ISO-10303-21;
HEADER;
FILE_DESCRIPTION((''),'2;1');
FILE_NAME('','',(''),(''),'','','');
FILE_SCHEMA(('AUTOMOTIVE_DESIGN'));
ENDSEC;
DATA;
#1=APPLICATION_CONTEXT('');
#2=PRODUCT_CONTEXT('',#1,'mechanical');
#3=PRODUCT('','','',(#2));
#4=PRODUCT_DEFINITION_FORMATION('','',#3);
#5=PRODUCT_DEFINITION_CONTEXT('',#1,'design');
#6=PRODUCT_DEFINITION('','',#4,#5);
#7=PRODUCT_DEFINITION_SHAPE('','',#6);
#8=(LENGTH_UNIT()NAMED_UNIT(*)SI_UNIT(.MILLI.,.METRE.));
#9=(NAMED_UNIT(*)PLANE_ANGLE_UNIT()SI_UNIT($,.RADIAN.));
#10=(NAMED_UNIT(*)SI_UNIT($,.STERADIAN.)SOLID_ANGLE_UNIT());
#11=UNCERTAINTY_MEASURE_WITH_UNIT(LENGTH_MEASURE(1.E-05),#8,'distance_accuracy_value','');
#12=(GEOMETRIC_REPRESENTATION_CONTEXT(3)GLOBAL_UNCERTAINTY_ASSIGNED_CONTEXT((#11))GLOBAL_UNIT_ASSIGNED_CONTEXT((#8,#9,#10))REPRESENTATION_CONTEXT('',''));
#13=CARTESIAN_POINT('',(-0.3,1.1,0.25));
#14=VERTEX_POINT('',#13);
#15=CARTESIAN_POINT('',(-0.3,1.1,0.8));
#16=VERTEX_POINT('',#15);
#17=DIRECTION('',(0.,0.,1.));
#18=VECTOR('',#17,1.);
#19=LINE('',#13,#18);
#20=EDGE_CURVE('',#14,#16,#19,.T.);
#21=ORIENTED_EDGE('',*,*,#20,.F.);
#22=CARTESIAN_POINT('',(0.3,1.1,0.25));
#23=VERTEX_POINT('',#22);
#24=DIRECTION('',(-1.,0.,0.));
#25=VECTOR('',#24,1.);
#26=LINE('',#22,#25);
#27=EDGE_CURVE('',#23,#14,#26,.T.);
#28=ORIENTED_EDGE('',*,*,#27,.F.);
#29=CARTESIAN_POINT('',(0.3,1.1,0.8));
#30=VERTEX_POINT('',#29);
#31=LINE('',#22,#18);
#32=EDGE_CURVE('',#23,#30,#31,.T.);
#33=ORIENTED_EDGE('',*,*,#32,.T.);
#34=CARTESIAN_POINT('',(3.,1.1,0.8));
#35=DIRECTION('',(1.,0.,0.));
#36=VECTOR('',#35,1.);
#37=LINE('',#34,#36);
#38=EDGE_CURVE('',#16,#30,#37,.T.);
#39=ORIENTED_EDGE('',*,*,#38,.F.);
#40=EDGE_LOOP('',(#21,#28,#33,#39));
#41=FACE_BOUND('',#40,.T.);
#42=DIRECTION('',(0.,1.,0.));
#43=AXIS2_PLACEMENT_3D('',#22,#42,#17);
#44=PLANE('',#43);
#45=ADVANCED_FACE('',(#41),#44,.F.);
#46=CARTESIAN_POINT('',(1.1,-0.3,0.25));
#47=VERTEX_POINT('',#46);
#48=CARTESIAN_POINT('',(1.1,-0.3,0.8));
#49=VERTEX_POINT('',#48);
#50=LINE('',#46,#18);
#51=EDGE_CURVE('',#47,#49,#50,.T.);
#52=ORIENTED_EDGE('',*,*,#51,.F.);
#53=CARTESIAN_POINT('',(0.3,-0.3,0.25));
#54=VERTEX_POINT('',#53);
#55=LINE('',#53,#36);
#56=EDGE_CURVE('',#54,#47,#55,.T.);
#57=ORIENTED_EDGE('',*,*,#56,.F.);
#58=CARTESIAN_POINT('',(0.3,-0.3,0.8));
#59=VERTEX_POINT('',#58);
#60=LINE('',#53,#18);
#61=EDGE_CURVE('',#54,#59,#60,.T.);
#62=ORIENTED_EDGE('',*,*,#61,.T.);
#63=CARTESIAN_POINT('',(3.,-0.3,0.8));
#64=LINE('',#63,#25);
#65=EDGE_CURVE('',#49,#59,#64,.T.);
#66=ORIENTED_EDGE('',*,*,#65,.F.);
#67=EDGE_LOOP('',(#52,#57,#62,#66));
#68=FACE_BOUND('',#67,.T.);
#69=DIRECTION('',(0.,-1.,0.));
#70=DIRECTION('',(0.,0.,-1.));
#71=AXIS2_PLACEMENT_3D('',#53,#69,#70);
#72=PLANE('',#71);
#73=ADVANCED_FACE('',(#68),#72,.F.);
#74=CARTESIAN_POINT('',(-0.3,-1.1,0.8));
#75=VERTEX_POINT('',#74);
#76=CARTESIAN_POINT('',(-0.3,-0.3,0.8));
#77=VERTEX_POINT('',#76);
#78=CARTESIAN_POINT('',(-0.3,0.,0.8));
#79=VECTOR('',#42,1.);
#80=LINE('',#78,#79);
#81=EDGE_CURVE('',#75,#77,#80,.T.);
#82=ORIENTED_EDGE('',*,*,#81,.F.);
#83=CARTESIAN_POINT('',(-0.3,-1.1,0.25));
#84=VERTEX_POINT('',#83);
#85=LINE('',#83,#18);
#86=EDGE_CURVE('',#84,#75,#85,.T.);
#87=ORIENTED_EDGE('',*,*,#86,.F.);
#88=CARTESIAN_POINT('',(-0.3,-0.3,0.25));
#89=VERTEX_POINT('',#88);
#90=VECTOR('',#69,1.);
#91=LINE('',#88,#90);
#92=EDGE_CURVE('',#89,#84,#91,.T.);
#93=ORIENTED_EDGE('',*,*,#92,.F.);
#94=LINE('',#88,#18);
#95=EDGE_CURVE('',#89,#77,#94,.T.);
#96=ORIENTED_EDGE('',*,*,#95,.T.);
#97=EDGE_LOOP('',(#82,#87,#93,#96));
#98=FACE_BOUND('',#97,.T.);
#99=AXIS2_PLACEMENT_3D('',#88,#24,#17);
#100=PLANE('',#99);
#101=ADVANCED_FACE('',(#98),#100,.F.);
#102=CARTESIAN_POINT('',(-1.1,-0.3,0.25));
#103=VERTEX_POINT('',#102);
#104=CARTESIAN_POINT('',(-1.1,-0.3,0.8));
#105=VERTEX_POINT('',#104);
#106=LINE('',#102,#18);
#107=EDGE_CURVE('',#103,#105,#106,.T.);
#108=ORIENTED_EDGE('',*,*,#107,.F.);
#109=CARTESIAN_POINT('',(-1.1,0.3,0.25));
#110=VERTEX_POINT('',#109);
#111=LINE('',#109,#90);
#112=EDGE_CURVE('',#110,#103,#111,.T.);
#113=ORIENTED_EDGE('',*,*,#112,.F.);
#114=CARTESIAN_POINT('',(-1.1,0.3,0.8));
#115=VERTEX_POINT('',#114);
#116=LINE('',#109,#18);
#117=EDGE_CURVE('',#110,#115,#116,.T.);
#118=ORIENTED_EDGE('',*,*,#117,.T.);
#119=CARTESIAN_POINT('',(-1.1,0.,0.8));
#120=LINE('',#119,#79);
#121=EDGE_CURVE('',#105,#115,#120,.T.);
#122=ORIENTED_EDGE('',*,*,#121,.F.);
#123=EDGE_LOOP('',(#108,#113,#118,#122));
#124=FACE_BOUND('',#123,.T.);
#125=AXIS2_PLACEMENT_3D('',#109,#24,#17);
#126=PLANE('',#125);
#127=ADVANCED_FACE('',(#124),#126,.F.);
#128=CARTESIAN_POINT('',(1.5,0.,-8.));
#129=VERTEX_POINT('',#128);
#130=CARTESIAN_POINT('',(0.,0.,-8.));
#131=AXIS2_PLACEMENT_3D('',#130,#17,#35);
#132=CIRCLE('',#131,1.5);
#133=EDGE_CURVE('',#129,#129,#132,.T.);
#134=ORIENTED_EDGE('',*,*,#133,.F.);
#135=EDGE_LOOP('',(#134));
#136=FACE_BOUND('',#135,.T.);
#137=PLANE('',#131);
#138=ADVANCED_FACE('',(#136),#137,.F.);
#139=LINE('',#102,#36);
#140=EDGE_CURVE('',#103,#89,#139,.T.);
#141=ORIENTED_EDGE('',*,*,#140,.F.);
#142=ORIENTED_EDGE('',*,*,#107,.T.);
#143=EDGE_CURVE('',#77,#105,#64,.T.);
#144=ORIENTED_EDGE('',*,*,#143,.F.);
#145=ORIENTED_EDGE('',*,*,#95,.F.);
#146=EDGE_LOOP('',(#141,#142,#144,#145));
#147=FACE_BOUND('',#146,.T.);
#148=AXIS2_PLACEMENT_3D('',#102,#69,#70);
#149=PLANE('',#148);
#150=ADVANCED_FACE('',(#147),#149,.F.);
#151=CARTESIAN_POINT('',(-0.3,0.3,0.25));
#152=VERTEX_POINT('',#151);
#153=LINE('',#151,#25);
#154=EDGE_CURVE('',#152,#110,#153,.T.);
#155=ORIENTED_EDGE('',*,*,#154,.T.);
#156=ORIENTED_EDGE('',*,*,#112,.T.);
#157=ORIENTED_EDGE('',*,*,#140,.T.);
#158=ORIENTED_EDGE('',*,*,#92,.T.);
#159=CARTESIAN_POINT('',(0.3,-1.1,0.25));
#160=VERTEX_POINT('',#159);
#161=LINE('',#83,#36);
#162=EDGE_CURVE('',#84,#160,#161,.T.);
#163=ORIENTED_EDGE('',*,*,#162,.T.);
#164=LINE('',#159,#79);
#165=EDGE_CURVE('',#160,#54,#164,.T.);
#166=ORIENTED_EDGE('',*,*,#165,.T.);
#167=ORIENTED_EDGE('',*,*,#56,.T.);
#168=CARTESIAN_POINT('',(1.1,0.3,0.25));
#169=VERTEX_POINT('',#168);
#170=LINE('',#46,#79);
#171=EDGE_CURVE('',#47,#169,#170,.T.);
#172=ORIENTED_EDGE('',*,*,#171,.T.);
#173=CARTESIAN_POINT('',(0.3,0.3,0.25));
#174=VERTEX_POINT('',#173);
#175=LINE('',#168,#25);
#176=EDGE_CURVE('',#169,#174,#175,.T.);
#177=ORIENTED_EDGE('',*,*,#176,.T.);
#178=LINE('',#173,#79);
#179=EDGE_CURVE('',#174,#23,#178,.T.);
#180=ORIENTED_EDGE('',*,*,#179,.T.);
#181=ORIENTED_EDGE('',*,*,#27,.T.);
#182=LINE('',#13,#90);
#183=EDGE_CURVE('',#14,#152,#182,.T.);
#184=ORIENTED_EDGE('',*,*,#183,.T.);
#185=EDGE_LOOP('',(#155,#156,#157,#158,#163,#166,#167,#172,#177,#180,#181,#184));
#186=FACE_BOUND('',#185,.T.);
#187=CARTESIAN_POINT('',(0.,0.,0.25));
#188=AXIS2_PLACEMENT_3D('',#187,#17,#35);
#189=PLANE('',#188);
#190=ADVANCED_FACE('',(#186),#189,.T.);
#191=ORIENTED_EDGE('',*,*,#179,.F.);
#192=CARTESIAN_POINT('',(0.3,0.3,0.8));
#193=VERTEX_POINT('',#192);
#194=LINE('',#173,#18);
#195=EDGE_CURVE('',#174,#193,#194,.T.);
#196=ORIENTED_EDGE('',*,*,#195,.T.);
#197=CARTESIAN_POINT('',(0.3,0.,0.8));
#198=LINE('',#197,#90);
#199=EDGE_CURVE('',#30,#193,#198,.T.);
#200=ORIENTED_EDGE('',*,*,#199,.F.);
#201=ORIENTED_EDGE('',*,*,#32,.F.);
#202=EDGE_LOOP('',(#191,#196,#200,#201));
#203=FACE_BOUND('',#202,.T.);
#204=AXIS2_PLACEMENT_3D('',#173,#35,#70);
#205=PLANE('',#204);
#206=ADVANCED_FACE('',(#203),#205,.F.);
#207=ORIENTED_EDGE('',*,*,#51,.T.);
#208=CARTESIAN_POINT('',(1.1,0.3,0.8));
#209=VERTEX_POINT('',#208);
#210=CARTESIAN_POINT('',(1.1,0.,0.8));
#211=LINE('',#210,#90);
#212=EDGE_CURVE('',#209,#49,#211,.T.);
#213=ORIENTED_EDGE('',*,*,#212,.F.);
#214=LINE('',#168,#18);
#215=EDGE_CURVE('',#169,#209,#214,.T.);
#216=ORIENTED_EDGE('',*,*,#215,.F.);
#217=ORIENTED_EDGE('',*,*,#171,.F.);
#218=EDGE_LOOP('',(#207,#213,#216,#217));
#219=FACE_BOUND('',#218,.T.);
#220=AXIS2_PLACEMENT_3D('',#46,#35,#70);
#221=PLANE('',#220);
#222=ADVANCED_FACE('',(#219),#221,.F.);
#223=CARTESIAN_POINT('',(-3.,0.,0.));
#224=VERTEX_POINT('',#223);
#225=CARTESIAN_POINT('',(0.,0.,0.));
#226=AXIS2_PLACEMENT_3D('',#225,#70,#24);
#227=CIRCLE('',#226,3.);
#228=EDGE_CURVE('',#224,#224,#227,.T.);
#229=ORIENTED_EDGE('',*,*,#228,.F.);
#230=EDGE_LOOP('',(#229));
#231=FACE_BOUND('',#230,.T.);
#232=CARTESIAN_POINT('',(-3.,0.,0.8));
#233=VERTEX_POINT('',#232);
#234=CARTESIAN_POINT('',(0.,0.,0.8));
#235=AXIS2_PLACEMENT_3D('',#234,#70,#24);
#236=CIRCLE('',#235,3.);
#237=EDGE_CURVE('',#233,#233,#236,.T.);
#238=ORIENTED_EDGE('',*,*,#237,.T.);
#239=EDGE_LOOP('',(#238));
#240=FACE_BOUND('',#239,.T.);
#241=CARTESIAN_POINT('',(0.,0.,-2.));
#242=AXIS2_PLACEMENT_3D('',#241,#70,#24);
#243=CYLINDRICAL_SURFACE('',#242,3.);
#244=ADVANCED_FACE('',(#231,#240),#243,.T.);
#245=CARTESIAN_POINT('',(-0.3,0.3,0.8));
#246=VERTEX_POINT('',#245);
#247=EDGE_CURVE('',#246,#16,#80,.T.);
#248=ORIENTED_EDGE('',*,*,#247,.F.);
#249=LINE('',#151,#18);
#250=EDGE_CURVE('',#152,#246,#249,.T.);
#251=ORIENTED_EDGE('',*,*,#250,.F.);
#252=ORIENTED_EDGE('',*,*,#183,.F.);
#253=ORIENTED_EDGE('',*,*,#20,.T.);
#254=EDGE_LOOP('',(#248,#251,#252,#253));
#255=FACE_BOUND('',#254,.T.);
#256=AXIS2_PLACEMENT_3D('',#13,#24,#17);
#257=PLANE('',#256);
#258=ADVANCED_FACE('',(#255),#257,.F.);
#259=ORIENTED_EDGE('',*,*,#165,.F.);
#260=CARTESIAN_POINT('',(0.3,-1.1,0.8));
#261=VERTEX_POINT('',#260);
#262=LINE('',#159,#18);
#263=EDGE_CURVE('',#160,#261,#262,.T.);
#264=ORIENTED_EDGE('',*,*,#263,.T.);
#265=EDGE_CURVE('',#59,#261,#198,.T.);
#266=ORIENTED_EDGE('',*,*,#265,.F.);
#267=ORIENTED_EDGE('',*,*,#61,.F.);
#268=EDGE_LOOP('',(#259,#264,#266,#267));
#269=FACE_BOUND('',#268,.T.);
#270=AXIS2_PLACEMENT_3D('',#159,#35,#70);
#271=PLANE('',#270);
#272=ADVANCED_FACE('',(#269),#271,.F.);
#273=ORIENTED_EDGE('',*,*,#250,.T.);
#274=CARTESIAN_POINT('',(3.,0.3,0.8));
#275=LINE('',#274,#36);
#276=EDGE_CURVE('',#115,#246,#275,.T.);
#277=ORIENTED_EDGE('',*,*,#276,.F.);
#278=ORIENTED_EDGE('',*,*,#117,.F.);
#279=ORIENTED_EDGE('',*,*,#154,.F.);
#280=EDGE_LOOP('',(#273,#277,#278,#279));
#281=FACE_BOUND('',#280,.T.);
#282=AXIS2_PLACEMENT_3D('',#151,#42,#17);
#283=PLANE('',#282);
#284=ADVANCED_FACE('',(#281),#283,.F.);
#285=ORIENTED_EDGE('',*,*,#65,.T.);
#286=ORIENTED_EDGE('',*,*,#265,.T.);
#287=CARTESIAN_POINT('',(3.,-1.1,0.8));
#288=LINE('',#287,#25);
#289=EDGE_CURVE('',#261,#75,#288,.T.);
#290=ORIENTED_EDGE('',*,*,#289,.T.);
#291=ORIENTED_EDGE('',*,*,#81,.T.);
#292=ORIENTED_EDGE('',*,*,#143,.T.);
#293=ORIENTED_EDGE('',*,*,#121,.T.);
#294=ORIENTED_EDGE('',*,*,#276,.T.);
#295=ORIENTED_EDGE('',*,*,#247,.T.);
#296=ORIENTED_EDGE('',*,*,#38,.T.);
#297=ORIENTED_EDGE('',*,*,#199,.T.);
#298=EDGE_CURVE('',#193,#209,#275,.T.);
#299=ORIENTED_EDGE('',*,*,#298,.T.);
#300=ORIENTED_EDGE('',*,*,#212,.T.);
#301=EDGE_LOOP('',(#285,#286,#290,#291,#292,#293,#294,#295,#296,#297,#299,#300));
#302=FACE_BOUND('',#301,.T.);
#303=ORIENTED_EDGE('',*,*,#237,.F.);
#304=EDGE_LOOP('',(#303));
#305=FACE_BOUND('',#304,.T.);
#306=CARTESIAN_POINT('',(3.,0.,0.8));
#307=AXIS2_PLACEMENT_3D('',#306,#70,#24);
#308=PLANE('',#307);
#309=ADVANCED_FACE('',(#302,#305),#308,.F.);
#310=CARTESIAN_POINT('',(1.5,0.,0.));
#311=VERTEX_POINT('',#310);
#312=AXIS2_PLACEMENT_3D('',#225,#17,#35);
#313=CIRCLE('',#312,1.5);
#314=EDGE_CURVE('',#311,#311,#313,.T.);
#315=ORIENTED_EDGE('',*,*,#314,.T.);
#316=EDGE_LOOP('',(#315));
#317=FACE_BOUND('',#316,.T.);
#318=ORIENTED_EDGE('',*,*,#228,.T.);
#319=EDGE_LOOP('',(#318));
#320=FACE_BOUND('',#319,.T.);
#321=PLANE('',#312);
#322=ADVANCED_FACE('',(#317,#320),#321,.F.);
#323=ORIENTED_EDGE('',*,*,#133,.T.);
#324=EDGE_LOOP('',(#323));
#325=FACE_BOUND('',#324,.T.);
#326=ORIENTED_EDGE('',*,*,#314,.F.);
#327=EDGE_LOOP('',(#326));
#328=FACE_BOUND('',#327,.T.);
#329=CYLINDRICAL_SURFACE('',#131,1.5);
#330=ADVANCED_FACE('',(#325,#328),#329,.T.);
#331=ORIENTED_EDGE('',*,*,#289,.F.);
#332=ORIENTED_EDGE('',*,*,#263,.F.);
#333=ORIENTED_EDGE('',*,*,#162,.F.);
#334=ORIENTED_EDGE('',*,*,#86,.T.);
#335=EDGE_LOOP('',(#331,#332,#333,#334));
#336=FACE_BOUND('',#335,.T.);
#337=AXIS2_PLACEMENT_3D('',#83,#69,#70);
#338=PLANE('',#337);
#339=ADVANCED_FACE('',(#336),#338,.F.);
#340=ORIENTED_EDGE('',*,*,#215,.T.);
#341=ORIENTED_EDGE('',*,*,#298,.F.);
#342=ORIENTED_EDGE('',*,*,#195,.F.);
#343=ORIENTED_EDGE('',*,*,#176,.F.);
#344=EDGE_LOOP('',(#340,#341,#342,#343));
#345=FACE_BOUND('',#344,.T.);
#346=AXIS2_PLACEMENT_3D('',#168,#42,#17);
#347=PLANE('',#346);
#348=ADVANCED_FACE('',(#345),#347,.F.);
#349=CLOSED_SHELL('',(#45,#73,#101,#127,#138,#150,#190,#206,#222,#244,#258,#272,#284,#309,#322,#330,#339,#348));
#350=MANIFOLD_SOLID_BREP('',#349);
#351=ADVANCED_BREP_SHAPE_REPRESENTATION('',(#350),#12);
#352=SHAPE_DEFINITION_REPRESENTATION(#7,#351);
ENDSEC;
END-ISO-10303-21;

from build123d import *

# Parameters (mm, degrees)
SKETCH_1_R        = 1.5
EXTRUDE_198_DEPTH = 8
SKETCH_6_W        = 3
SKETCH_6_H        = 0.8
PH1_START         = 0.81
PH1_DEPTH         = 0.56


with BuildPart() as part:
    # 草图1 → Extrude 198 (new body)
    with BuildSketch(Plane.XY):
        Circle(SKETCH_1_R)
    extrude(amount=-EXTRUDE_198_DEPTH)

    # 草图6 → Revolve 324 (revolve)
    with BuildSketch(Plane(origin=(0, 0, 0), x_dir=(1, 0, 0), z_dir=(0, 1, 0)), mode=Mode.PRIVATE) as revolve_324_sk:
        with Locations((1.5, -0.4)):
            Rectangle(SKETCH_6_W, SKETCH_6_H)
    revolve(revolve_324_sk.sketch.rotate(Axis((0, 0, -2), (0, 0, 1)), 180), axis=Axis((0, 0, -2), (0, 0, 1)))

    # 草图7 → 十字槽_PH1_简化 (cut)
    with BuildSketch(Plane.XY.offset(PH1_START)):
        Polygon((-0.3, -1.1), (0.3, -1.1), (0.3, -0.3), (1.1, -0.3), (1.1, 0.3), (0.3, 0.3), (0.3, 1.1), (-0.3, 1.1), (-0.3, 0.3), (-1.1, 0.3), (-1.1, -0.3), (-0.3, -0.3), align=None)
    extrude(amount=-PH1_DEPTH, mode=Mode.SUBTRACT)


solid = part.part
